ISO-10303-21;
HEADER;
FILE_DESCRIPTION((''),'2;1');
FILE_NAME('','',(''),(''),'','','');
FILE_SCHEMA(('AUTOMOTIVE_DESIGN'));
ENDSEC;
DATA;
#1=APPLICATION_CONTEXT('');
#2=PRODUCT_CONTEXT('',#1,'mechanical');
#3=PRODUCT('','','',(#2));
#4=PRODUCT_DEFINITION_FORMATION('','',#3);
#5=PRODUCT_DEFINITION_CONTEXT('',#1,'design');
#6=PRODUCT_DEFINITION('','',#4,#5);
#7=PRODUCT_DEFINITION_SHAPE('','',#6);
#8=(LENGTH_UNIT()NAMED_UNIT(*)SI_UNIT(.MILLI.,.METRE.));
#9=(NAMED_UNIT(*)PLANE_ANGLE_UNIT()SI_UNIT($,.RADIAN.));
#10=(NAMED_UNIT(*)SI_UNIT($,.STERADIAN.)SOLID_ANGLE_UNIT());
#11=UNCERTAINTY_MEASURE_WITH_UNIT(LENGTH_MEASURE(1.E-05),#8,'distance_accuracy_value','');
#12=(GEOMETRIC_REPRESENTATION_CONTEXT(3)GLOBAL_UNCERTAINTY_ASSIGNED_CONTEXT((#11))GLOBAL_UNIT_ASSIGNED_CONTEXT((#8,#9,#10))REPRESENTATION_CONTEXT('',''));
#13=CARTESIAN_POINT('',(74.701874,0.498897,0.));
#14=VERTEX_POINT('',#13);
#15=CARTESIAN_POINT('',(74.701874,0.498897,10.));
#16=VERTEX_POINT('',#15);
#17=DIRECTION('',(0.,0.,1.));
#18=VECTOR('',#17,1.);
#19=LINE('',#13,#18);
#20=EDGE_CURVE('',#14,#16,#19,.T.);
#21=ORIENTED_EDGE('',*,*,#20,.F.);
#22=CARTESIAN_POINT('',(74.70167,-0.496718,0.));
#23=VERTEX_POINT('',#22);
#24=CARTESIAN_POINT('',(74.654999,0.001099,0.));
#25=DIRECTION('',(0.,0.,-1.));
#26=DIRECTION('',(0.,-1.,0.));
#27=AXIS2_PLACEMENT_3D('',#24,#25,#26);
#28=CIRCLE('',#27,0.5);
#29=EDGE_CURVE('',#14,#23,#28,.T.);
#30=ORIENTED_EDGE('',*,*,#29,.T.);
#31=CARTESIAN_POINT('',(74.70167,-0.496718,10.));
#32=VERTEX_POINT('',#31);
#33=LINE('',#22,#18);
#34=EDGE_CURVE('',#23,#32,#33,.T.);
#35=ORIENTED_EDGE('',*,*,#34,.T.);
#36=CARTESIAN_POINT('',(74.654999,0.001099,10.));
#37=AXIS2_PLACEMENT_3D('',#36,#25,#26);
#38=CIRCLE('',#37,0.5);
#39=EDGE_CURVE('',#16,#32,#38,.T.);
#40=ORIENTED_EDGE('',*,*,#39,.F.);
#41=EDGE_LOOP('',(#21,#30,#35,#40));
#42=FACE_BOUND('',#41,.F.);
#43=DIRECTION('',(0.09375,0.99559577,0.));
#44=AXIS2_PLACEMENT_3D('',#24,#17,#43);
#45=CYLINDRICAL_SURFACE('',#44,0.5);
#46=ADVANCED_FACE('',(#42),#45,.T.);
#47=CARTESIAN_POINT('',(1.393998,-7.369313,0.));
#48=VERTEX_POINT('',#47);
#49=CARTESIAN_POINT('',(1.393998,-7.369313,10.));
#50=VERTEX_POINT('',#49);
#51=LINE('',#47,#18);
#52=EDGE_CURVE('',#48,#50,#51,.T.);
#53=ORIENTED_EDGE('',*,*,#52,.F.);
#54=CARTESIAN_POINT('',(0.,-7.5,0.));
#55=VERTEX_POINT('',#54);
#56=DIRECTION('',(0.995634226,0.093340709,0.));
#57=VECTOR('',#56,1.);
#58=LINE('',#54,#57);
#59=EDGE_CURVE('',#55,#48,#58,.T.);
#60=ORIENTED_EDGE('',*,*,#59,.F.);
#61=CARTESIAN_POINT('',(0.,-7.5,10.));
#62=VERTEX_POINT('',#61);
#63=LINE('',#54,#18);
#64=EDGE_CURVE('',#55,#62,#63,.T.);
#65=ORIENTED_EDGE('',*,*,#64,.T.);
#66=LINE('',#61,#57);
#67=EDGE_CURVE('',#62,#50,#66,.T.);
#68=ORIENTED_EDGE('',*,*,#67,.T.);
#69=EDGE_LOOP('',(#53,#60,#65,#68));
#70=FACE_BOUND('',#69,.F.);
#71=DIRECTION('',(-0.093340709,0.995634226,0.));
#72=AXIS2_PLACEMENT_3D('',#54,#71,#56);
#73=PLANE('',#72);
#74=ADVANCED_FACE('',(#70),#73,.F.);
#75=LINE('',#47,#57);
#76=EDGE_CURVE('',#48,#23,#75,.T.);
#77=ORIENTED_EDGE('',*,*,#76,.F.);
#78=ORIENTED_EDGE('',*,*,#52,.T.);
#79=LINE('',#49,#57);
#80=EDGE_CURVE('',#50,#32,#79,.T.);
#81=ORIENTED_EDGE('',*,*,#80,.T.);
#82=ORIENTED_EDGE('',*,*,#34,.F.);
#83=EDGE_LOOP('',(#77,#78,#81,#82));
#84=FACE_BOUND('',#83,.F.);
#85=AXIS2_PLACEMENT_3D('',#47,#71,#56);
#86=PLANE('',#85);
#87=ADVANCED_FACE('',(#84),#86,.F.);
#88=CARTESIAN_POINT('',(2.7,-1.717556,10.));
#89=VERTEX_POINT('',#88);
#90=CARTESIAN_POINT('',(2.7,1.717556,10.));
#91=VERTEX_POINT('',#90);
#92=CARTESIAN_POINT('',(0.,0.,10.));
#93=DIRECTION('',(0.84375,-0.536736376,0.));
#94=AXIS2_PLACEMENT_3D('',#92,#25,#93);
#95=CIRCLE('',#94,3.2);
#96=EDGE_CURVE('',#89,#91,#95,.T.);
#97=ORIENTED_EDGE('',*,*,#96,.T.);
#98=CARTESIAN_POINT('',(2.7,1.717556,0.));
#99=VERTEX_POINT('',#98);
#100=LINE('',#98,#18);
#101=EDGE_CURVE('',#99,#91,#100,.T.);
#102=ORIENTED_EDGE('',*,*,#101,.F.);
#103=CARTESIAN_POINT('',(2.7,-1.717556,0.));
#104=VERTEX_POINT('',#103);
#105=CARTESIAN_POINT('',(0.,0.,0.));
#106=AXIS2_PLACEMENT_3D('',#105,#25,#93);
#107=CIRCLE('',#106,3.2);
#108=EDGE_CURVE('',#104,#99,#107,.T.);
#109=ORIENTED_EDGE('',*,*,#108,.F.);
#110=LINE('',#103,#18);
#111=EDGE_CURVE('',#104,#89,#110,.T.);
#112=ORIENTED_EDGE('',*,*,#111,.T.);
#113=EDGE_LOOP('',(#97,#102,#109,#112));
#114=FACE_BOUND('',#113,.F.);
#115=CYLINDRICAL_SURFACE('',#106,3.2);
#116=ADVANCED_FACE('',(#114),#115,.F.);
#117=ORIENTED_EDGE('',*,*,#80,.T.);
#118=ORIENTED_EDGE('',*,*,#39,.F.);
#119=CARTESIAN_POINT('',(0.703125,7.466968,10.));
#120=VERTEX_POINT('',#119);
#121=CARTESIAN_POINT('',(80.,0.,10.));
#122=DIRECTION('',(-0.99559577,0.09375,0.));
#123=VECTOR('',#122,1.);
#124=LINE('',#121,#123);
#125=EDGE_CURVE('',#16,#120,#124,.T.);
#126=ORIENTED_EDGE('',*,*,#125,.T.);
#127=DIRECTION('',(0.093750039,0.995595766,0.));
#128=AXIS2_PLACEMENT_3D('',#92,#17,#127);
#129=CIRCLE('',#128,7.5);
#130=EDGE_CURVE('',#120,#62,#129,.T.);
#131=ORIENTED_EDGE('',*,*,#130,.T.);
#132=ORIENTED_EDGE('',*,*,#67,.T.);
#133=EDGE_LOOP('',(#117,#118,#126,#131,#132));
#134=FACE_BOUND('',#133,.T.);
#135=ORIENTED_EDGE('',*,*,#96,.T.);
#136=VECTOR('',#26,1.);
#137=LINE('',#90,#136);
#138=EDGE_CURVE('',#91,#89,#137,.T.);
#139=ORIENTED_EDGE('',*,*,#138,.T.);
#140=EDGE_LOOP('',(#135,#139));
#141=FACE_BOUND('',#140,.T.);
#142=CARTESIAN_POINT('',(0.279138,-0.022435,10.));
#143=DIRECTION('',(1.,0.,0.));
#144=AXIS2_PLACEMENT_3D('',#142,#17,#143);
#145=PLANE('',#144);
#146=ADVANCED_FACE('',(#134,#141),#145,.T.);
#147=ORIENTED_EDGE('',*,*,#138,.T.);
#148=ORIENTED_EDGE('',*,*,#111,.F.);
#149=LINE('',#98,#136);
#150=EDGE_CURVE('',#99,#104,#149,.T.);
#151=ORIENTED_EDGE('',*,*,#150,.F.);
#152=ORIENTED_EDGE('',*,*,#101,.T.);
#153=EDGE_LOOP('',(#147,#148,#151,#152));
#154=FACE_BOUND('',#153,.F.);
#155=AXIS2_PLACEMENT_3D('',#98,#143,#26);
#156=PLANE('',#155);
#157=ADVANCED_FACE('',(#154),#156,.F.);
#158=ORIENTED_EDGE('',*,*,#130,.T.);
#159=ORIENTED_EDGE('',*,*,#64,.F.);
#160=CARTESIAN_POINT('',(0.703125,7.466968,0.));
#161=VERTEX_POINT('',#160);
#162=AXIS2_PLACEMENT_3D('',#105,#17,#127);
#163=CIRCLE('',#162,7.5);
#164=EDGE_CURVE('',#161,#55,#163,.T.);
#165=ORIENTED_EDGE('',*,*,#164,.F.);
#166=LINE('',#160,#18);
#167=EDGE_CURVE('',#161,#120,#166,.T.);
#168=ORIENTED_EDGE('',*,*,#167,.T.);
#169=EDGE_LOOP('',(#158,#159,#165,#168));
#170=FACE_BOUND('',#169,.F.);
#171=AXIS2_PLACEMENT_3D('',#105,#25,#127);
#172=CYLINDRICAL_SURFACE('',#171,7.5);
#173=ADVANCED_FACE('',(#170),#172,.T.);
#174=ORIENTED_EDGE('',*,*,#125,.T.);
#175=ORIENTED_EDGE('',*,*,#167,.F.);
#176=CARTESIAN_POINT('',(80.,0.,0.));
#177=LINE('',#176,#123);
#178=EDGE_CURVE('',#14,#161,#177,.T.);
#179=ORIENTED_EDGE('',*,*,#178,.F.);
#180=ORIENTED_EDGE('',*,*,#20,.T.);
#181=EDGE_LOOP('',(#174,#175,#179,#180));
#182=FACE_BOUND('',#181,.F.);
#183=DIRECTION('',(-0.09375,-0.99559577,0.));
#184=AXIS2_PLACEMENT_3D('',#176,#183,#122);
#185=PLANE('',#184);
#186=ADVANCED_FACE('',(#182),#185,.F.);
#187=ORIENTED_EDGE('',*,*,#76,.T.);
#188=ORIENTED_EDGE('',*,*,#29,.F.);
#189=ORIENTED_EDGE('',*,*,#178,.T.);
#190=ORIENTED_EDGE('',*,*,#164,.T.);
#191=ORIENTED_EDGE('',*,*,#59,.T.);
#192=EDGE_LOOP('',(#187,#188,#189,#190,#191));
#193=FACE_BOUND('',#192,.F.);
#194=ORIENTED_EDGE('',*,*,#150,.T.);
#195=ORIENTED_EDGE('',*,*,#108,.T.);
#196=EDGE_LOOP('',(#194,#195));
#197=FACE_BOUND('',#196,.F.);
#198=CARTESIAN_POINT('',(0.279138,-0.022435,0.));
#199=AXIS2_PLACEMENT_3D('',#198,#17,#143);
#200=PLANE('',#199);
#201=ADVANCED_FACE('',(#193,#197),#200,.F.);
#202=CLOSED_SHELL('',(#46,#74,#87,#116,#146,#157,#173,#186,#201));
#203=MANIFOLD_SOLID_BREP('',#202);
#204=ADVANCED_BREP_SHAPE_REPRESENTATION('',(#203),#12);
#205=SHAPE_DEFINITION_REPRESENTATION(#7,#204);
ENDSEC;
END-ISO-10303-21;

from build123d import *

# Parameters (mm, degrees)
F1_DEPTH = 10
F2_R     = 0.5


with BuildPart() as f1:
    # F0 (on Top) → F1 (new body)
    with BuildSketch(Plane.XY):
        with BuildLine():
            ThreePointArc((1.3939980639, -7.3693126815), (5.7751617068, -4.7851339856), (7.5, 0))
            ThreePointArc((7.5, 0), (5.5463248947, 5.048591899), (0.7031252901, 7.4669682487))
            ThreePointArc((0.7031252901, 7.4669682487), (-7.4917375109, 0.3519503765), (0, -7.5))
            Line((0, -7.5), (1.3939980639, -7.3693126815))
        make_face()
        with BuildLine():
            ThreePointArc((2.7, -1.7175564037), (-3.2, 0), (2.7, 1.7175564037))
            Line((2.7, 1.7175564037), (2.7, 0))
            Line((2.7, 0), (2.7, -1.7175564037))
        make_face(mode=Mode.SUBTRACT)
        with BuildLine():
            ThreePointArc((0.7031252901, 7.4669682487), (5.5463248947, 5.048591899), (7.5, 0))
            Line((7.5, 0), (80, 0))
            Line((80, 0), (0.7031252901, 7.4669682487))
        make_face()
        with BuildLine():
            Line((80, 0), (7.5, 0))
            ThreePointArc((7.5, 0), (5.7751617068, -4.7851339856), (1.3939980639, -7.3693126815))
            Line((1.3939980639, -7.3693126815), (80, 0))
        make_face()
    extrude(amount=F1_DEPTH)

    # F2
    f2_edges = [f1.edges().sort_by_distance(p)[0] for p in [
        (80, 0, 5),
    ]]
    fillet(f2_edges, radius=F2_R)


solid = f1.part
